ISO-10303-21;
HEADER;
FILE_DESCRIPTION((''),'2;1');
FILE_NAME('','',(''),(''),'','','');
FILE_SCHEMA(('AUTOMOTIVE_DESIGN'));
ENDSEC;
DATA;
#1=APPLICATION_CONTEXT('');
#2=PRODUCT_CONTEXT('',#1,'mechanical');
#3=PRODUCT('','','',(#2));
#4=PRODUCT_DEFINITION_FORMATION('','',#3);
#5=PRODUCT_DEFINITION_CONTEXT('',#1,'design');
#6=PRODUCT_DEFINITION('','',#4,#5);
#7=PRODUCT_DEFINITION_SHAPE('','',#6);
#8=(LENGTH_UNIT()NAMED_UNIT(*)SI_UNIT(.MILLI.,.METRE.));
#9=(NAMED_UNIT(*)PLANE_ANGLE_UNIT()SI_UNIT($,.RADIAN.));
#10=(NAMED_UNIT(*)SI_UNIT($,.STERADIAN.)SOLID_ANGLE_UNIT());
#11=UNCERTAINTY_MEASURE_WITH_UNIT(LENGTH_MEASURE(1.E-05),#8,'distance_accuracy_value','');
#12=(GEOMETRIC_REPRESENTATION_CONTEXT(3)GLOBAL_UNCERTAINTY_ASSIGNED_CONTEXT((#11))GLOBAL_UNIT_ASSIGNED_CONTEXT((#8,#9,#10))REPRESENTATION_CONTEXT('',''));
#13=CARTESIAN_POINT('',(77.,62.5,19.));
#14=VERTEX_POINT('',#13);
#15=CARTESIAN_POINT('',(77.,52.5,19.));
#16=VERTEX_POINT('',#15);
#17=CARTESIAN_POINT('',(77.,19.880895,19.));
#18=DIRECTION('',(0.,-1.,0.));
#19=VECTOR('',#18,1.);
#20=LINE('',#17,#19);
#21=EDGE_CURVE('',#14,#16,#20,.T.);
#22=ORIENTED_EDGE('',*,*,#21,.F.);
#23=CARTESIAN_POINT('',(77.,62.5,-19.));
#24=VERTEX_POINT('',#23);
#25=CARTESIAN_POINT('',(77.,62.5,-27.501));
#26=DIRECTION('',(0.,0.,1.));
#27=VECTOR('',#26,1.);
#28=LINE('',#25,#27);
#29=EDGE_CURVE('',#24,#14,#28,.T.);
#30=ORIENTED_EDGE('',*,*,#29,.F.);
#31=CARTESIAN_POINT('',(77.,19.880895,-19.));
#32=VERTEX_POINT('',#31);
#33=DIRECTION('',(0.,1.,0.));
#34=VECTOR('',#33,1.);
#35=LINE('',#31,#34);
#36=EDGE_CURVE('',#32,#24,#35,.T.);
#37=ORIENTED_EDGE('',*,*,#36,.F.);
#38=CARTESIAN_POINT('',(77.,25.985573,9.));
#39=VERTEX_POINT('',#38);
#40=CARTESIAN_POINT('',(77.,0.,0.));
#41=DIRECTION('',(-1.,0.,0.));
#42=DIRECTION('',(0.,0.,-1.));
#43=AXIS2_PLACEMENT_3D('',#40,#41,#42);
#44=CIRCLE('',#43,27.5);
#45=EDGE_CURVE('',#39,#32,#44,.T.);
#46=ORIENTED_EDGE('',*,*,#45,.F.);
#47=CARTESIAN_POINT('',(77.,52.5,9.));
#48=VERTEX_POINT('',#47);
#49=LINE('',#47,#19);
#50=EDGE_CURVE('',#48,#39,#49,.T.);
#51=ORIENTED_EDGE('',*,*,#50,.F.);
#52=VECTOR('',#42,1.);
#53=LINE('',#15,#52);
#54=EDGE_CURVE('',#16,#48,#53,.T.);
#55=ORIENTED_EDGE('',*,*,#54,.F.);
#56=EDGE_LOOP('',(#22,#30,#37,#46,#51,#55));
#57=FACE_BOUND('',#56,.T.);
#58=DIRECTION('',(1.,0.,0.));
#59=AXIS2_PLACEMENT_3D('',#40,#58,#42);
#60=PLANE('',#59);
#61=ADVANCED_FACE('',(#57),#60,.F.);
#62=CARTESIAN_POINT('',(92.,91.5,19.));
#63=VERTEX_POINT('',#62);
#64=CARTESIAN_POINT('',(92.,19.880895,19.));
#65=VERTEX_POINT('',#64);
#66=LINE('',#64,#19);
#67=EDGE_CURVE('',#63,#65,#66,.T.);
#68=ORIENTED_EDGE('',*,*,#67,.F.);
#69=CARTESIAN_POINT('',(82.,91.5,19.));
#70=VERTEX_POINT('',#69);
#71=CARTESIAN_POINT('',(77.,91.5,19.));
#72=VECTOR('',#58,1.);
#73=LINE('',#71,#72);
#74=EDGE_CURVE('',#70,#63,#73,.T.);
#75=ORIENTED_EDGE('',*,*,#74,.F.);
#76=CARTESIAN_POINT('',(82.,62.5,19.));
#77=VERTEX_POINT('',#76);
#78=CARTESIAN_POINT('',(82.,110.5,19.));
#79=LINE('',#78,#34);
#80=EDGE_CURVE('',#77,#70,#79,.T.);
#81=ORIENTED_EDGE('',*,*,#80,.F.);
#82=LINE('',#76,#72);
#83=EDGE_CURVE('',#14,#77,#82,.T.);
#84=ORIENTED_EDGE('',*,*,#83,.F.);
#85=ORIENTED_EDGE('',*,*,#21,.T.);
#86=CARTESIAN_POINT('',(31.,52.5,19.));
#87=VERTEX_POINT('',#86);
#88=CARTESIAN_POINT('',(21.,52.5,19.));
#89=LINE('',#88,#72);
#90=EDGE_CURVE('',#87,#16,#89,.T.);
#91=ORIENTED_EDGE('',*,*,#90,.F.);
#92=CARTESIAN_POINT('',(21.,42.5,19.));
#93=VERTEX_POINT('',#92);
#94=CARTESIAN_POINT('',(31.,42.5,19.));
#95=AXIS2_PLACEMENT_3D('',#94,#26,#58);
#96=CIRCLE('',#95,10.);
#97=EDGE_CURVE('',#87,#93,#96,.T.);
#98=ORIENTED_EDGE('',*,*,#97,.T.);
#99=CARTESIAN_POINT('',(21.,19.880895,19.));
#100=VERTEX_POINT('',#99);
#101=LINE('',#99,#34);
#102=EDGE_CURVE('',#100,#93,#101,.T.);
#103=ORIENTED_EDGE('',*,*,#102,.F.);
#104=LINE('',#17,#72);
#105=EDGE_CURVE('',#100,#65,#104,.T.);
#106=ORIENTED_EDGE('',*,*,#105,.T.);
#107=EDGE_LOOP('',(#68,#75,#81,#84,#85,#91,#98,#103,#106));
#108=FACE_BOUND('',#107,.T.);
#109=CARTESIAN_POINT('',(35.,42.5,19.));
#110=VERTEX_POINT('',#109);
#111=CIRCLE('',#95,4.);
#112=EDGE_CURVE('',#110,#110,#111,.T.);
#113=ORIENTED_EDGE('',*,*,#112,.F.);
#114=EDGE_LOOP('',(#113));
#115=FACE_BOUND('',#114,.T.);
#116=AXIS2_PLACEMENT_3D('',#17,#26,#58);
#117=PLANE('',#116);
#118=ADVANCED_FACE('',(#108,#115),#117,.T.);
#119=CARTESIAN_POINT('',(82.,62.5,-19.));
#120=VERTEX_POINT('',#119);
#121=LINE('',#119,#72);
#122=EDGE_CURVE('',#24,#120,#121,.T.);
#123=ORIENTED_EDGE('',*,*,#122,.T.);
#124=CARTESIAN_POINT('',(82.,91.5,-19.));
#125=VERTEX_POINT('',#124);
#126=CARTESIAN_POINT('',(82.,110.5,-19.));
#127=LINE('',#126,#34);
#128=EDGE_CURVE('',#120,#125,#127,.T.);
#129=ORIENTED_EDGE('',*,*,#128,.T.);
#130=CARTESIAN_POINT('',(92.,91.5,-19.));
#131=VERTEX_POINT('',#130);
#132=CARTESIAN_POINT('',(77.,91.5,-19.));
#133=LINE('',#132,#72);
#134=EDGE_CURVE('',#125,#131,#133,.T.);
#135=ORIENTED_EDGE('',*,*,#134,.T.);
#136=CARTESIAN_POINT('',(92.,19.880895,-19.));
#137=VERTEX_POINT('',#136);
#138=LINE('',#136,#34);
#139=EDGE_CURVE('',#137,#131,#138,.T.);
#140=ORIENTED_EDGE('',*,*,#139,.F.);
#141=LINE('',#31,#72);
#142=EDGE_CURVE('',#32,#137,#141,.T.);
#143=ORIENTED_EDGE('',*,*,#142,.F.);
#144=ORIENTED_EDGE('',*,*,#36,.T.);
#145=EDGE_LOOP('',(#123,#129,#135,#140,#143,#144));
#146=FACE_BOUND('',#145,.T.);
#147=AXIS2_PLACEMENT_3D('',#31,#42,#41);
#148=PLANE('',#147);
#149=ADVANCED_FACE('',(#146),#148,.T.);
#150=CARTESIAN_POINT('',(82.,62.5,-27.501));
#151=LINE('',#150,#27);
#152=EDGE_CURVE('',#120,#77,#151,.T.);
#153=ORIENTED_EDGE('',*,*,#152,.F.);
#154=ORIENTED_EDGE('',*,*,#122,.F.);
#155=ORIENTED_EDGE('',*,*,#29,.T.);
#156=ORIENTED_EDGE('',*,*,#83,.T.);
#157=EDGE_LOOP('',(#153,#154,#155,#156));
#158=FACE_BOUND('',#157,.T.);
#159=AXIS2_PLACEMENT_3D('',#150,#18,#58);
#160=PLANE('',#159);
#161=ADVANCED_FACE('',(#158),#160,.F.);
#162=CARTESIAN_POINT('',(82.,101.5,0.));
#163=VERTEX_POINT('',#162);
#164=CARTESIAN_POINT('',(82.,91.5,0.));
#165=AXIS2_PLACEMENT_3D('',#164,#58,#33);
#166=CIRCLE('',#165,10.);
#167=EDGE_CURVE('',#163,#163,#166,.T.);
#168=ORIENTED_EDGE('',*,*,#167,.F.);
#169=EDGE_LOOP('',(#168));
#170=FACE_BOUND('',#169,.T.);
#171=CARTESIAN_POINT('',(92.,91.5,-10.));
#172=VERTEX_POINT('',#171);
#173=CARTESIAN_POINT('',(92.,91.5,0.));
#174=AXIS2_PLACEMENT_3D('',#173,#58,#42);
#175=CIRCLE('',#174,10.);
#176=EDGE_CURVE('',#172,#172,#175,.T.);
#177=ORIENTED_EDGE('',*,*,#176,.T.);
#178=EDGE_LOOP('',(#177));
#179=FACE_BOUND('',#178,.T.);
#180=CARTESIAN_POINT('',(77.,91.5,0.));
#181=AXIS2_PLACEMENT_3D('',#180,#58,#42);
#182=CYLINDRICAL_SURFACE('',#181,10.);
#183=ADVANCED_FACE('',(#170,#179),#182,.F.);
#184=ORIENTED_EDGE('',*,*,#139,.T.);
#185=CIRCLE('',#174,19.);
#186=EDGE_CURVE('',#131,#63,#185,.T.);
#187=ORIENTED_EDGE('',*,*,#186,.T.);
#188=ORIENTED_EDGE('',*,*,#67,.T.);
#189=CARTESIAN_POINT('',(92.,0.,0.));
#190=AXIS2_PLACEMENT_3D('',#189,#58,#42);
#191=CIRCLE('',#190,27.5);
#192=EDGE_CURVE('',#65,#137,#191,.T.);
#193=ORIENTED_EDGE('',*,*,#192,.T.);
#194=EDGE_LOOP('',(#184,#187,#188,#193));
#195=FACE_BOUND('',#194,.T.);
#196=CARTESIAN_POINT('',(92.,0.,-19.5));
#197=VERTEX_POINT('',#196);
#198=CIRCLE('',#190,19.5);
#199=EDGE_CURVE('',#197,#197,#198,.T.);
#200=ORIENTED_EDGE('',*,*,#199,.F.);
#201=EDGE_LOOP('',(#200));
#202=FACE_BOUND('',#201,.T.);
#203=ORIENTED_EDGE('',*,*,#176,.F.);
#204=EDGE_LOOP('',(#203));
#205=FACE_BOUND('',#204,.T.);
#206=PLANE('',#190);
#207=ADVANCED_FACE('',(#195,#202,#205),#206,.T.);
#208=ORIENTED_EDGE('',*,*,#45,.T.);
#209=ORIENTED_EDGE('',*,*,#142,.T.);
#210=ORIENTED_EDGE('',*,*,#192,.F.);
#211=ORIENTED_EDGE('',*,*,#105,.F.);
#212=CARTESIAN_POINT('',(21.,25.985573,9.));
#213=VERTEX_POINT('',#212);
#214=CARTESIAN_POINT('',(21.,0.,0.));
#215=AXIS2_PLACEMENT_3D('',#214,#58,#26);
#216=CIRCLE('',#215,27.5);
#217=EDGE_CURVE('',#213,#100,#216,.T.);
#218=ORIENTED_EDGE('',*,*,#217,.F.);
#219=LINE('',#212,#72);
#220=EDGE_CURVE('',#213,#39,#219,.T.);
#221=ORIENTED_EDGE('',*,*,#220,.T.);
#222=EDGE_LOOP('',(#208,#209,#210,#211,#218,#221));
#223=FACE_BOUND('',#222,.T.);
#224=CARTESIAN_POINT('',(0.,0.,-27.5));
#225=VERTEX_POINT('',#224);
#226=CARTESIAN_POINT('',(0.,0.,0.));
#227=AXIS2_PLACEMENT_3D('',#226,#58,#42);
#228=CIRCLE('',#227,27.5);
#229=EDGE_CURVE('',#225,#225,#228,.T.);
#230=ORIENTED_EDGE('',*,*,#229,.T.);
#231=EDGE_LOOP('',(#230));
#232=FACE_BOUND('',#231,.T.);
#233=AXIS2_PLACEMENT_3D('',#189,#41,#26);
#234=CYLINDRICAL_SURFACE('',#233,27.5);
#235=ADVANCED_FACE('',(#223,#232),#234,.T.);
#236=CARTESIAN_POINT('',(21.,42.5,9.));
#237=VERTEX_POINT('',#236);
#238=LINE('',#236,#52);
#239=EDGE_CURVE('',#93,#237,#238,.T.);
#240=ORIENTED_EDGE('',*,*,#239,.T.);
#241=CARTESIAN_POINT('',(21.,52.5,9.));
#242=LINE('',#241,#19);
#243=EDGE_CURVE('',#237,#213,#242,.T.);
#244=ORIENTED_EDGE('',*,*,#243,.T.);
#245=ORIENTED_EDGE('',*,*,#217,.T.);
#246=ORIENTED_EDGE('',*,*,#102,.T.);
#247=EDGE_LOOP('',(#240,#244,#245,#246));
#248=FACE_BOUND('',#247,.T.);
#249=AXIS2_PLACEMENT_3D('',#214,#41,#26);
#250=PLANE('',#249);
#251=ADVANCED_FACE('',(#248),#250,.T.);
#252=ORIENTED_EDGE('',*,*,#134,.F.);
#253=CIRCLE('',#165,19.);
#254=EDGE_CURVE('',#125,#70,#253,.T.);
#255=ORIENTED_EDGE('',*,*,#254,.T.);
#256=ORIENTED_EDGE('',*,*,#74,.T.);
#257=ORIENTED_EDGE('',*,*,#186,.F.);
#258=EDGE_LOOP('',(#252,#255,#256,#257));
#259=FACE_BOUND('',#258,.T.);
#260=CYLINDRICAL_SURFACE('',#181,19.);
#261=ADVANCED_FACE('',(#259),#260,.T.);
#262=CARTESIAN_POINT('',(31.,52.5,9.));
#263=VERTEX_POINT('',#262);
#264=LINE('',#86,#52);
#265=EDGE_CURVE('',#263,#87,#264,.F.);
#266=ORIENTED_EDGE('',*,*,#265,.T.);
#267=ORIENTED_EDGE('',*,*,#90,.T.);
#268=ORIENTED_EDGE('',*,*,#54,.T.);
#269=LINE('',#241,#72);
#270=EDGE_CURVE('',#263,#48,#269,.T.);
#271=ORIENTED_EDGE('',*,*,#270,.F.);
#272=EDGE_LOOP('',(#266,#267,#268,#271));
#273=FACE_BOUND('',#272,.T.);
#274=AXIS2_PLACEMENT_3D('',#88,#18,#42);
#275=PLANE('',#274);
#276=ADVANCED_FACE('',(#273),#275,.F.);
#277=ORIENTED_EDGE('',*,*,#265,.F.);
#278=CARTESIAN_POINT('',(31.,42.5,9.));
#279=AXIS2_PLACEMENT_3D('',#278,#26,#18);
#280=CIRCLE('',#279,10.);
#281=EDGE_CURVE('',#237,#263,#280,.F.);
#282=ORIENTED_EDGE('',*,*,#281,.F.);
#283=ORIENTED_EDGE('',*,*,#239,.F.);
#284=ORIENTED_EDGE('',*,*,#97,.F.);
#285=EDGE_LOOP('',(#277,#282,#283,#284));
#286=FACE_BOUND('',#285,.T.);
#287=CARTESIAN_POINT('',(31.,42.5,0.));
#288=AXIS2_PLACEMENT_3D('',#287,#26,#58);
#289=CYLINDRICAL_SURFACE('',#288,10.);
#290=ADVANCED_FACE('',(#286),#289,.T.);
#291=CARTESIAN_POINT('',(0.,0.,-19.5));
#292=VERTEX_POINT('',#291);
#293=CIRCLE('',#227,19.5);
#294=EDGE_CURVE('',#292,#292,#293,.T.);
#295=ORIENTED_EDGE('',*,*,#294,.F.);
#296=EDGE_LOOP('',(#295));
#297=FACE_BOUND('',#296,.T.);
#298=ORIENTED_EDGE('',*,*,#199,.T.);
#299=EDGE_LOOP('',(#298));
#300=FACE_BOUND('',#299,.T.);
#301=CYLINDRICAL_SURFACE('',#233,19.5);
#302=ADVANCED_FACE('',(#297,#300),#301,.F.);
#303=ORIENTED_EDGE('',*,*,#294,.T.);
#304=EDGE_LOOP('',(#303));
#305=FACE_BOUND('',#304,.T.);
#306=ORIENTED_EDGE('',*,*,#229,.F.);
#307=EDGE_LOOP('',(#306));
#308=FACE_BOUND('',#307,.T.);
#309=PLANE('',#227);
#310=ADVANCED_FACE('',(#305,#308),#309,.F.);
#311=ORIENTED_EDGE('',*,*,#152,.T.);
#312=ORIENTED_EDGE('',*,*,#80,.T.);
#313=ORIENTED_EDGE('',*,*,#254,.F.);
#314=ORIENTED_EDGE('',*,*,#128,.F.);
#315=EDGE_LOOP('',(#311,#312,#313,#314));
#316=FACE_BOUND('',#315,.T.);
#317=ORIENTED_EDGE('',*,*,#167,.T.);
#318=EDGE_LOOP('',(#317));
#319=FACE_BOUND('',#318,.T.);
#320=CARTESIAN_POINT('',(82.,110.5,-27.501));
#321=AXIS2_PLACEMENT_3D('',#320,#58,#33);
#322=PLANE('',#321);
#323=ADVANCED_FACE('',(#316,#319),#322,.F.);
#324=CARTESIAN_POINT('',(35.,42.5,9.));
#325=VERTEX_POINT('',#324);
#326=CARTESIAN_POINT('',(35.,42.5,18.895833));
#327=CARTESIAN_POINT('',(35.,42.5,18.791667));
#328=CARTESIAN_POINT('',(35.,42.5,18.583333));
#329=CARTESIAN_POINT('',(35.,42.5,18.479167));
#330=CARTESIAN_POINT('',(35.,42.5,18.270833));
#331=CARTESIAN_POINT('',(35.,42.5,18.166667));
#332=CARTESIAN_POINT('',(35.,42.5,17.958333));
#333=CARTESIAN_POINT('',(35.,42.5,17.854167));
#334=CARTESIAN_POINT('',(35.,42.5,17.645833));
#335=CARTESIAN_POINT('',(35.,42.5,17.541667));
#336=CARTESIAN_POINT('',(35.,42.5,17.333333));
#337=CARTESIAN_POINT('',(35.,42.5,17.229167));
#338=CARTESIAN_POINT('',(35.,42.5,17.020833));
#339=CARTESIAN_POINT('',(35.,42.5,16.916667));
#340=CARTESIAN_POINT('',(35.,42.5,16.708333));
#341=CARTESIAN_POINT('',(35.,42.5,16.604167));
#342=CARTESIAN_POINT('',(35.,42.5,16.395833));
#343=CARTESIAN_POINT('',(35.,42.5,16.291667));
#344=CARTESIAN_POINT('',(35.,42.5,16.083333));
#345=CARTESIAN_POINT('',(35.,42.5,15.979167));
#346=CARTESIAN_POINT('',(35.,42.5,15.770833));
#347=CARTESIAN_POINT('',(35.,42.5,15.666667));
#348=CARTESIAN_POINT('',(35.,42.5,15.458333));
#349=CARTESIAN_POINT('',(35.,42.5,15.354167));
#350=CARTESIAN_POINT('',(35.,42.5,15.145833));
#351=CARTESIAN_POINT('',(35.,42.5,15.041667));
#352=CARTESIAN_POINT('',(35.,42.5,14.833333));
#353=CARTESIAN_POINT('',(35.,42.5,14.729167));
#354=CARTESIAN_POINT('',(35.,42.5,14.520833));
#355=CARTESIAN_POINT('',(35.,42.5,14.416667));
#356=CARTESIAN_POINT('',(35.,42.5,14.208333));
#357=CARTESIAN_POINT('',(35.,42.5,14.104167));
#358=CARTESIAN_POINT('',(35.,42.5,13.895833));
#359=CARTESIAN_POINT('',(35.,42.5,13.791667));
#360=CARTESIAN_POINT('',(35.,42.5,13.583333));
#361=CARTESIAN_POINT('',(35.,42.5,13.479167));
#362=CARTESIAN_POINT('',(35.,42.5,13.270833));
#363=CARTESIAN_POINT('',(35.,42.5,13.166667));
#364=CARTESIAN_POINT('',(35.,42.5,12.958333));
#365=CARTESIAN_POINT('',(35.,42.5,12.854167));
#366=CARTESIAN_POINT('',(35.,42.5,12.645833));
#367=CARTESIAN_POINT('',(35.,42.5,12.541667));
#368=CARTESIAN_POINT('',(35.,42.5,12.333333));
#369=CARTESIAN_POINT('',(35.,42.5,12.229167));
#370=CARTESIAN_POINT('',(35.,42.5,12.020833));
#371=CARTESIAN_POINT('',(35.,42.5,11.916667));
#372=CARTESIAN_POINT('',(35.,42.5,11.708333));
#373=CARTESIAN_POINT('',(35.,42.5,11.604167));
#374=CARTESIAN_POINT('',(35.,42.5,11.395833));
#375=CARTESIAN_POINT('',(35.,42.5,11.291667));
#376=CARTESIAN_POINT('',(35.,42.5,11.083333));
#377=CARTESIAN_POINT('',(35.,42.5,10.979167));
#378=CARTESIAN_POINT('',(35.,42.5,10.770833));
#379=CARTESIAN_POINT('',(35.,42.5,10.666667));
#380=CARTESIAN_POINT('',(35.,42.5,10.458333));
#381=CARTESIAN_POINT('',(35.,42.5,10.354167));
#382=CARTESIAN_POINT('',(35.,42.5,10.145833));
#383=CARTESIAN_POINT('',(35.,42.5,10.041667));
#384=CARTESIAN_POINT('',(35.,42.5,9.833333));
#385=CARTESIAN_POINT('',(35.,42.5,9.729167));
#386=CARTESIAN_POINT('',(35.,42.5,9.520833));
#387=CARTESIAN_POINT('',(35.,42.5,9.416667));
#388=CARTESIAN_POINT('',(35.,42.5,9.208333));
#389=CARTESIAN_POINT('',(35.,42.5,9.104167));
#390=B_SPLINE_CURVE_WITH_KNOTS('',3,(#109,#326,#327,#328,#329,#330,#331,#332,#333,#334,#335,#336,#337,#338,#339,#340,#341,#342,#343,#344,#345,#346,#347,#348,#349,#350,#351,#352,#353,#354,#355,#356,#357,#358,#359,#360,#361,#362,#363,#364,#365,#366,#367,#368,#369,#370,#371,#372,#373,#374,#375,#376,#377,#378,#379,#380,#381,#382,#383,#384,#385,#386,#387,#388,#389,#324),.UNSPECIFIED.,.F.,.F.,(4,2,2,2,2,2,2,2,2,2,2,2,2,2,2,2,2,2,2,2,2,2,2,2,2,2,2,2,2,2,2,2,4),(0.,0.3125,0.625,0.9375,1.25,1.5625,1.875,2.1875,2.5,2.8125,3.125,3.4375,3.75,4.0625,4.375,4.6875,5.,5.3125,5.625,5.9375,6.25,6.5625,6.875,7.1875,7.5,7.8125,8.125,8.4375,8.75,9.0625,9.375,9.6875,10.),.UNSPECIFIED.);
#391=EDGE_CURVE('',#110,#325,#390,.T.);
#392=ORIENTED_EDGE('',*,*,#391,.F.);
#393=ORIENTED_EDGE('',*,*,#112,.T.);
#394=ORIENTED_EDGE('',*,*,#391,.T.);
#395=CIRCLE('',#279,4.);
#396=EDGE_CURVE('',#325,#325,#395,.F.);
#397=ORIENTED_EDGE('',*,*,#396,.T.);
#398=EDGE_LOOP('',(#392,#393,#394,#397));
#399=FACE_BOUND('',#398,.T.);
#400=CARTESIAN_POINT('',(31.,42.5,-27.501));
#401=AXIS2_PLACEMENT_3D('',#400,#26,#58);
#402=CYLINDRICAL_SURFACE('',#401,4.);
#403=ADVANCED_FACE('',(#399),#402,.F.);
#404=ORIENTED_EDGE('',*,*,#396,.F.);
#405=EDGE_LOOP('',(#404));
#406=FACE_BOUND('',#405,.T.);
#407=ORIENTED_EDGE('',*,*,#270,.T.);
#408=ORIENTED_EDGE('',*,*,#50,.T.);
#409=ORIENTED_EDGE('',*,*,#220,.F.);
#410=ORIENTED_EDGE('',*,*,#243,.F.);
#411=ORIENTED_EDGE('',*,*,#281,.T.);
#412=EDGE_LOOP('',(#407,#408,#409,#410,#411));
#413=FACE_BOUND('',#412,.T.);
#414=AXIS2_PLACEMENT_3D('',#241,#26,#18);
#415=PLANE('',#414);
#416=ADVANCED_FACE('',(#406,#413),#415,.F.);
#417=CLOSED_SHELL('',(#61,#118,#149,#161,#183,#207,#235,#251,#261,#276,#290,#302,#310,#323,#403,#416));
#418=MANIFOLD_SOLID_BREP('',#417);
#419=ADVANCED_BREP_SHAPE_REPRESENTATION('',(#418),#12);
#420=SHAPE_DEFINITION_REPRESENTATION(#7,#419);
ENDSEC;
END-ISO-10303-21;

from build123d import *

# Parameters (mm, degrees)
SKETCH_1_R          = 27.5
SKETCH_1_R_2        = 19.5
EXTRUDE_1_DEPTH     = 92
EXTRUDE_START       = -15
SKETCH_2_R          = 10
EXTRUDE_2_DEPTH     = 15
CUT_EXTRUDE_1_REACH = 153.118
SKETCH_3_W          = 5
SKETCH_3_H          = 48
EXTRUDE_START_2     = 56
EXTRUDE_3_DEPTH     = 56
FILLET_1_R          = 10
CUT_EXTRUDE_2_REACH = 153.118
SKETCH_7_R          = 4


with BuildPart() as part:
    # 草图1 → 凸台-拉伸1 (new body)
    with BuildSketch(Plane(origin=(0, 0, 0), x_dir=(0, 0, -1), z_dir=(1, 0, 0))):
        Circle(SKETCH_1_R)
        Circle(SKETCH_1_R_2, mode=Mode.SUBTRACT)
    extrude(amount=EXTRUDE_1_DEPTH)

    # 草图2 → 凸台-拉伸2 (add)
    with BuildSketch(Plane(origin=(92, 0, 0), x_dir=(0, 0, -1), z_dir=(1, 0, 0)).offset(EXTRUDE_START)):
        with BuildLine():
            Line((-19, 19.880895352), (-19, 91.5))
            ThreePointArc((-19, 91.5), (0, 110.5), (19, 91.5))
            Line((19, 91.5), (19, 19.880895352))
            ThreePointArc((19, 19.880895352), (0, 27.5), (-19, 19.880895352))
        make_face()
        with Locations((0, 91.5)):
            Circle(SKETCH_2_R, mode=Mode.SUBTRACT)
    extrude(amount=EXTRUDE_2_DEPTH)

    # 草图3 → 切除-拉伸1 (cut, up to next)
    with BuildSketch(Plane.XY.offset(19), mode=Mode.PRIVATE) as cut_extrude_1_sk1:
        with Locations((79.5, 86.5)):
            Rectangle(SKETCH_3_W, SKETCH_3_H)
    cut_extrude_1_tool1 = extrude(cut_extrude_1_sk1.sketch, amount=-CUT_EXTRUDE_1_REACH, mode=Mode.PRIVATE) & part.part
    add(cut_extrude_1_tool1.solids().sort_by_distance((79.5, 86.5, 19))[0], mode=Mode.SUBTRACT)

    # 草图6 → 凸台-拉伸3 (add)
    with BuildSketch(Plane.ZY.offset(-77).offset(EXTRUDE_START_2)):
        with BuildLine():
            Line((19, 19.880895352), (19, 52.5))
            Line((19, 52.5), (9, 52.5))
            Line((9, 52.5), (9, 25.98557292))
            ThreePointArc((9, 25.98557292), (14.328878953, 23.471966853), (19, 19.880895352))
        make_face()
    extrude(amount=-EXTRUDE_3_DEPTH)

    # 圆角1
    fillet_1_edges = [part.edges().sort_by_distance(p)[0] for p in [
        (21, 52.5, 14),
    ]]
    fillet(fillet_1_edges, radius=FILLET_1_R)

    # 草图7 → 切除-拉伸2 (cut, up to next)
    with BuildSketch(Plane.XY.offset(19), mode=Mode.PRIVATE) as cut_extrude_2_sk1:
        with Locations((31, 42.5)):
            Circle(SKETCH_7_R)
    cut_extrude_2_tool1 = extrude(cut_extrude_2_sk1.sketch, amount=-CUT_EXTRUDE_2_REACH, mode=Mode.PRIVATE) & part.part
    add(cut_extrude_2_tool1.solids().sort_by_distance((31, 42.5, 19))[0], mode=Mode.SUBTRACT)


solid = part.part
